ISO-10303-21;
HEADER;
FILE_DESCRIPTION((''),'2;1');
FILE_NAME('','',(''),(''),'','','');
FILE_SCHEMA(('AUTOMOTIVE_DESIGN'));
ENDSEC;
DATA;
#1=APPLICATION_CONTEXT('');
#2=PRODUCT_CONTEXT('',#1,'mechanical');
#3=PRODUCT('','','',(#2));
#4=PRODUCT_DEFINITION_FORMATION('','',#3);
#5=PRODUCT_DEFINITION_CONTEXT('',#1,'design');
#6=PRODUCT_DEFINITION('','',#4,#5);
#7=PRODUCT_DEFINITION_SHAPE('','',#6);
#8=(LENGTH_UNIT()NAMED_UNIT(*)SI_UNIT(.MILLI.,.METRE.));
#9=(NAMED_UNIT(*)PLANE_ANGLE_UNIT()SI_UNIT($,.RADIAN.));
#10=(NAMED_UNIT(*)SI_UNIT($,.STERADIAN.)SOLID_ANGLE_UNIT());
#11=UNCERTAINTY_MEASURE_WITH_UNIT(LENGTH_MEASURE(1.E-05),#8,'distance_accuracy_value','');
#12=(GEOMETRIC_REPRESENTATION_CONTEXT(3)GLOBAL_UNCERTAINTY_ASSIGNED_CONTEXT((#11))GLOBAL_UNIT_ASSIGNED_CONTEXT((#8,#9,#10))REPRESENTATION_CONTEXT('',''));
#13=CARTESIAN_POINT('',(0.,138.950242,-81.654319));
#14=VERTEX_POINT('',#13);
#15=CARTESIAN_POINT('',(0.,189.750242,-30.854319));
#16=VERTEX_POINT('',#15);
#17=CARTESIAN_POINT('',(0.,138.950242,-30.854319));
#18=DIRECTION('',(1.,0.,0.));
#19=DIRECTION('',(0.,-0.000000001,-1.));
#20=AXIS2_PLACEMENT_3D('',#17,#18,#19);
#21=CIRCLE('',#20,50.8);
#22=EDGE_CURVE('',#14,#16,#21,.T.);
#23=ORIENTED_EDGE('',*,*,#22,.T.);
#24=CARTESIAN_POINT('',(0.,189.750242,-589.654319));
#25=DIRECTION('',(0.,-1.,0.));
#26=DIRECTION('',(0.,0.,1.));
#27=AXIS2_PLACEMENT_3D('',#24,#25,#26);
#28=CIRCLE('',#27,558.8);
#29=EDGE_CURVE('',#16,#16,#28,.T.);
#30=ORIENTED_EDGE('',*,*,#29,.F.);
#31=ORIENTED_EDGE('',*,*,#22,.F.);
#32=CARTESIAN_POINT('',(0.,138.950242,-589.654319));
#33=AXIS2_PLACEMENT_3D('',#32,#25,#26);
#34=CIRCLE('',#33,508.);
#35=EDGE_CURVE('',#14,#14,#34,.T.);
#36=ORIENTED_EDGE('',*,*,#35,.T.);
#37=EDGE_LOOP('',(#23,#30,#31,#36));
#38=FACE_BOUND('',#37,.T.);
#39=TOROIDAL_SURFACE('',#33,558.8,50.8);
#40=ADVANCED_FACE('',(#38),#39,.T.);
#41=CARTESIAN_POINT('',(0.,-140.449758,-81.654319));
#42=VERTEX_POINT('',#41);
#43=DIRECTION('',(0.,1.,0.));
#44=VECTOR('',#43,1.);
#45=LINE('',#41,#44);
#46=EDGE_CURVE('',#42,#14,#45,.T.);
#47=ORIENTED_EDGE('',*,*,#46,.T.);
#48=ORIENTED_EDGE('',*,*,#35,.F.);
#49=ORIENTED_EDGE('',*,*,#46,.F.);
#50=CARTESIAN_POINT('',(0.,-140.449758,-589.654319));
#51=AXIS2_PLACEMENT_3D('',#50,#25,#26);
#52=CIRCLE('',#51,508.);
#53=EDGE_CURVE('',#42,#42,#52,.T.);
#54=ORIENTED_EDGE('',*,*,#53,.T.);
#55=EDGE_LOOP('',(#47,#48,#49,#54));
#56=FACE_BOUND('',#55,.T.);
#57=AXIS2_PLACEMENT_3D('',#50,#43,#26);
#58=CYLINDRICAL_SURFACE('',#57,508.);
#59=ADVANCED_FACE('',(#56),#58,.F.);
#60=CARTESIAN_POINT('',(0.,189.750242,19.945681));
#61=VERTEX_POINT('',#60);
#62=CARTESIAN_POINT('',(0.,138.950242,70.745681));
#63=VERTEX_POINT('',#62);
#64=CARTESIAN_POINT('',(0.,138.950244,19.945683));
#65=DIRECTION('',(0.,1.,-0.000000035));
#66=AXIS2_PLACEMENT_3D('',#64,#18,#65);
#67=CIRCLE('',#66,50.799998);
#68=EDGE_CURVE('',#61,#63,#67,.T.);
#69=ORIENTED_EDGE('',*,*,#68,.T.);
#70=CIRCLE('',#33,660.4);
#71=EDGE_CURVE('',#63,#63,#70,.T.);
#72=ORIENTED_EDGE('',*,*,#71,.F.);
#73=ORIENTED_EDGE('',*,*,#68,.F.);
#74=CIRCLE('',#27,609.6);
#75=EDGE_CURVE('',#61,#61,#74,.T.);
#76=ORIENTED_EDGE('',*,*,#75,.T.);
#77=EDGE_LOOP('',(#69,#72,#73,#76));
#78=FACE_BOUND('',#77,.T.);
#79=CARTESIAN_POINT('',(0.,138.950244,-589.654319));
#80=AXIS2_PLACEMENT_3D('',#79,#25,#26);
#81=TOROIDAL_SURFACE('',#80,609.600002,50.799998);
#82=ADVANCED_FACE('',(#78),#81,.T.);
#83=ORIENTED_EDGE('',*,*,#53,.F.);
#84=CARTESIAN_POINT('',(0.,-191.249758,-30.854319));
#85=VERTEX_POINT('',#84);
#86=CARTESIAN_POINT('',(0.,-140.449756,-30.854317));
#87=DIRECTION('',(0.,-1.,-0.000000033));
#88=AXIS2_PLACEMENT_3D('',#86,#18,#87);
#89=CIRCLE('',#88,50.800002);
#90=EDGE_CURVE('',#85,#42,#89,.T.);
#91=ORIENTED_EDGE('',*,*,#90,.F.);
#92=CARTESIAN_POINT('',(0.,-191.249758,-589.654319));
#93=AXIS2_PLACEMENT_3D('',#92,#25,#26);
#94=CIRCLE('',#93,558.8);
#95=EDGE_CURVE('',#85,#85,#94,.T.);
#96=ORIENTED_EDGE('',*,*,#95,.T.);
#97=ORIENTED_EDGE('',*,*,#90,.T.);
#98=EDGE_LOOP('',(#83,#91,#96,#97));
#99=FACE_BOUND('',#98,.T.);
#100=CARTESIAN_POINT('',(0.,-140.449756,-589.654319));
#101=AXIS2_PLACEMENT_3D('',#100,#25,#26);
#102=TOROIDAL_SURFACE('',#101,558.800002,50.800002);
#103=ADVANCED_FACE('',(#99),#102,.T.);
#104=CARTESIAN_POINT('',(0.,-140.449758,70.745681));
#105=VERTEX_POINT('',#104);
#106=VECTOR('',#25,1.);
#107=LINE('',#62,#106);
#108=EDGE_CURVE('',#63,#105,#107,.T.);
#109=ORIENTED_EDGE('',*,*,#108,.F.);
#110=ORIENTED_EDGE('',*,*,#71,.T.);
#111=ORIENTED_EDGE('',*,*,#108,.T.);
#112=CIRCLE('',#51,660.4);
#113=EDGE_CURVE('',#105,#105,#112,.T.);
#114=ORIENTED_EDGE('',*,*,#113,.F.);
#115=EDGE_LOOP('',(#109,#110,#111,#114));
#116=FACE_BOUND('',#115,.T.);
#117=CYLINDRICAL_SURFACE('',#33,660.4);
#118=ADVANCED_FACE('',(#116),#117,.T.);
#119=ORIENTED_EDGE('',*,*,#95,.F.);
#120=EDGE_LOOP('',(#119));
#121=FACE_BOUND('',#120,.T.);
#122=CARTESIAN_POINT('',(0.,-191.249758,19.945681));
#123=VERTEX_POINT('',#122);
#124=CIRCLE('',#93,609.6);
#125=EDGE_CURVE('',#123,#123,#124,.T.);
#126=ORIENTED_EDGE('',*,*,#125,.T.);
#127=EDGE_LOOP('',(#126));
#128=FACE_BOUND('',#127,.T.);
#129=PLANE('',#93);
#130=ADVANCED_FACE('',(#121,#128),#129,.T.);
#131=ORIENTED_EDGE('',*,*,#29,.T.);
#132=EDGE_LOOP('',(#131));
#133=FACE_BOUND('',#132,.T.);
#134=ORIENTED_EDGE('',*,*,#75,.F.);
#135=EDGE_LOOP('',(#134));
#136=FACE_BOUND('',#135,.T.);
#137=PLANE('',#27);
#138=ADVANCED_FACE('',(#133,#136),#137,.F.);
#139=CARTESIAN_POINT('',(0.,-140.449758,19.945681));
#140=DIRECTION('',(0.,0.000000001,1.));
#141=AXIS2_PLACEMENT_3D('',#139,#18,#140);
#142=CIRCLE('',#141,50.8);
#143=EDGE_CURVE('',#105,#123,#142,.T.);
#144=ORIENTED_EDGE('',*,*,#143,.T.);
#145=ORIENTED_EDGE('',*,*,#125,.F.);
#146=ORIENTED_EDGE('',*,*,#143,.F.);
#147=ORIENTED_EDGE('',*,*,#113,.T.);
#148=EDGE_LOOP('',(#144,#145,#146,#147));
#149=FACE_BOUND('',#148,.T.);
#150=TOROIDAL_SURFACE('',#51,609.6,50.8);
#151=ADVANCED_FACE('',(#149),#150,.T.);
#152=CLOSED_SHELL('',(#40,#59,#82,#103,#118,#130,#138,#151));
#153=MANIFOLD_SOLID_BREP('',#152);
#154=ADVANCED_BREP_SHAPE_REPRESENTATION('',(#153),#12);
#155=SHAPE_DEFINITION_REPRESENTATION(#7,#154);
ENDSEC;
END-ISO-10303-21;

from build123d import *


with BuildPart() as f1:
    # F0 (on Right) → F1 (revolve)
    with BuildSketch(Plane.YZ):
        with BuildLine():
            ThreePointArc((189.750242, 19.945681), (174.871267, 55.866706), (138.950242, 70.745681))
            Line((138.950242, 70.745681), (-140.449758, 70.745681))
            ThreePointArc((-140.449758, 70.745681), (-176.370782, 55.866706), (-191.249758, 19.945681))
            Line((-191.249758, 19.945681), (-191.249758, -30.854319))
            ThreePointArc((-191.249758, -30.854319), (-176.370782, -66.775343), (-140.449758, -81.654319))
            Line((-140.449758, -81.654319), (138.950242, -81.654319))
            ThreePointArc((138.950242, -81.654319), (174.871267, -66.775343), (189.750242, -30.854319))
            Line((189.750242, -30.854319), (189.750242, 19.945681))
        make_face()
    revolve(axis=Axis((0, -0.749758, -589.654319), (0, -1, 0)))


solid = f1.part
